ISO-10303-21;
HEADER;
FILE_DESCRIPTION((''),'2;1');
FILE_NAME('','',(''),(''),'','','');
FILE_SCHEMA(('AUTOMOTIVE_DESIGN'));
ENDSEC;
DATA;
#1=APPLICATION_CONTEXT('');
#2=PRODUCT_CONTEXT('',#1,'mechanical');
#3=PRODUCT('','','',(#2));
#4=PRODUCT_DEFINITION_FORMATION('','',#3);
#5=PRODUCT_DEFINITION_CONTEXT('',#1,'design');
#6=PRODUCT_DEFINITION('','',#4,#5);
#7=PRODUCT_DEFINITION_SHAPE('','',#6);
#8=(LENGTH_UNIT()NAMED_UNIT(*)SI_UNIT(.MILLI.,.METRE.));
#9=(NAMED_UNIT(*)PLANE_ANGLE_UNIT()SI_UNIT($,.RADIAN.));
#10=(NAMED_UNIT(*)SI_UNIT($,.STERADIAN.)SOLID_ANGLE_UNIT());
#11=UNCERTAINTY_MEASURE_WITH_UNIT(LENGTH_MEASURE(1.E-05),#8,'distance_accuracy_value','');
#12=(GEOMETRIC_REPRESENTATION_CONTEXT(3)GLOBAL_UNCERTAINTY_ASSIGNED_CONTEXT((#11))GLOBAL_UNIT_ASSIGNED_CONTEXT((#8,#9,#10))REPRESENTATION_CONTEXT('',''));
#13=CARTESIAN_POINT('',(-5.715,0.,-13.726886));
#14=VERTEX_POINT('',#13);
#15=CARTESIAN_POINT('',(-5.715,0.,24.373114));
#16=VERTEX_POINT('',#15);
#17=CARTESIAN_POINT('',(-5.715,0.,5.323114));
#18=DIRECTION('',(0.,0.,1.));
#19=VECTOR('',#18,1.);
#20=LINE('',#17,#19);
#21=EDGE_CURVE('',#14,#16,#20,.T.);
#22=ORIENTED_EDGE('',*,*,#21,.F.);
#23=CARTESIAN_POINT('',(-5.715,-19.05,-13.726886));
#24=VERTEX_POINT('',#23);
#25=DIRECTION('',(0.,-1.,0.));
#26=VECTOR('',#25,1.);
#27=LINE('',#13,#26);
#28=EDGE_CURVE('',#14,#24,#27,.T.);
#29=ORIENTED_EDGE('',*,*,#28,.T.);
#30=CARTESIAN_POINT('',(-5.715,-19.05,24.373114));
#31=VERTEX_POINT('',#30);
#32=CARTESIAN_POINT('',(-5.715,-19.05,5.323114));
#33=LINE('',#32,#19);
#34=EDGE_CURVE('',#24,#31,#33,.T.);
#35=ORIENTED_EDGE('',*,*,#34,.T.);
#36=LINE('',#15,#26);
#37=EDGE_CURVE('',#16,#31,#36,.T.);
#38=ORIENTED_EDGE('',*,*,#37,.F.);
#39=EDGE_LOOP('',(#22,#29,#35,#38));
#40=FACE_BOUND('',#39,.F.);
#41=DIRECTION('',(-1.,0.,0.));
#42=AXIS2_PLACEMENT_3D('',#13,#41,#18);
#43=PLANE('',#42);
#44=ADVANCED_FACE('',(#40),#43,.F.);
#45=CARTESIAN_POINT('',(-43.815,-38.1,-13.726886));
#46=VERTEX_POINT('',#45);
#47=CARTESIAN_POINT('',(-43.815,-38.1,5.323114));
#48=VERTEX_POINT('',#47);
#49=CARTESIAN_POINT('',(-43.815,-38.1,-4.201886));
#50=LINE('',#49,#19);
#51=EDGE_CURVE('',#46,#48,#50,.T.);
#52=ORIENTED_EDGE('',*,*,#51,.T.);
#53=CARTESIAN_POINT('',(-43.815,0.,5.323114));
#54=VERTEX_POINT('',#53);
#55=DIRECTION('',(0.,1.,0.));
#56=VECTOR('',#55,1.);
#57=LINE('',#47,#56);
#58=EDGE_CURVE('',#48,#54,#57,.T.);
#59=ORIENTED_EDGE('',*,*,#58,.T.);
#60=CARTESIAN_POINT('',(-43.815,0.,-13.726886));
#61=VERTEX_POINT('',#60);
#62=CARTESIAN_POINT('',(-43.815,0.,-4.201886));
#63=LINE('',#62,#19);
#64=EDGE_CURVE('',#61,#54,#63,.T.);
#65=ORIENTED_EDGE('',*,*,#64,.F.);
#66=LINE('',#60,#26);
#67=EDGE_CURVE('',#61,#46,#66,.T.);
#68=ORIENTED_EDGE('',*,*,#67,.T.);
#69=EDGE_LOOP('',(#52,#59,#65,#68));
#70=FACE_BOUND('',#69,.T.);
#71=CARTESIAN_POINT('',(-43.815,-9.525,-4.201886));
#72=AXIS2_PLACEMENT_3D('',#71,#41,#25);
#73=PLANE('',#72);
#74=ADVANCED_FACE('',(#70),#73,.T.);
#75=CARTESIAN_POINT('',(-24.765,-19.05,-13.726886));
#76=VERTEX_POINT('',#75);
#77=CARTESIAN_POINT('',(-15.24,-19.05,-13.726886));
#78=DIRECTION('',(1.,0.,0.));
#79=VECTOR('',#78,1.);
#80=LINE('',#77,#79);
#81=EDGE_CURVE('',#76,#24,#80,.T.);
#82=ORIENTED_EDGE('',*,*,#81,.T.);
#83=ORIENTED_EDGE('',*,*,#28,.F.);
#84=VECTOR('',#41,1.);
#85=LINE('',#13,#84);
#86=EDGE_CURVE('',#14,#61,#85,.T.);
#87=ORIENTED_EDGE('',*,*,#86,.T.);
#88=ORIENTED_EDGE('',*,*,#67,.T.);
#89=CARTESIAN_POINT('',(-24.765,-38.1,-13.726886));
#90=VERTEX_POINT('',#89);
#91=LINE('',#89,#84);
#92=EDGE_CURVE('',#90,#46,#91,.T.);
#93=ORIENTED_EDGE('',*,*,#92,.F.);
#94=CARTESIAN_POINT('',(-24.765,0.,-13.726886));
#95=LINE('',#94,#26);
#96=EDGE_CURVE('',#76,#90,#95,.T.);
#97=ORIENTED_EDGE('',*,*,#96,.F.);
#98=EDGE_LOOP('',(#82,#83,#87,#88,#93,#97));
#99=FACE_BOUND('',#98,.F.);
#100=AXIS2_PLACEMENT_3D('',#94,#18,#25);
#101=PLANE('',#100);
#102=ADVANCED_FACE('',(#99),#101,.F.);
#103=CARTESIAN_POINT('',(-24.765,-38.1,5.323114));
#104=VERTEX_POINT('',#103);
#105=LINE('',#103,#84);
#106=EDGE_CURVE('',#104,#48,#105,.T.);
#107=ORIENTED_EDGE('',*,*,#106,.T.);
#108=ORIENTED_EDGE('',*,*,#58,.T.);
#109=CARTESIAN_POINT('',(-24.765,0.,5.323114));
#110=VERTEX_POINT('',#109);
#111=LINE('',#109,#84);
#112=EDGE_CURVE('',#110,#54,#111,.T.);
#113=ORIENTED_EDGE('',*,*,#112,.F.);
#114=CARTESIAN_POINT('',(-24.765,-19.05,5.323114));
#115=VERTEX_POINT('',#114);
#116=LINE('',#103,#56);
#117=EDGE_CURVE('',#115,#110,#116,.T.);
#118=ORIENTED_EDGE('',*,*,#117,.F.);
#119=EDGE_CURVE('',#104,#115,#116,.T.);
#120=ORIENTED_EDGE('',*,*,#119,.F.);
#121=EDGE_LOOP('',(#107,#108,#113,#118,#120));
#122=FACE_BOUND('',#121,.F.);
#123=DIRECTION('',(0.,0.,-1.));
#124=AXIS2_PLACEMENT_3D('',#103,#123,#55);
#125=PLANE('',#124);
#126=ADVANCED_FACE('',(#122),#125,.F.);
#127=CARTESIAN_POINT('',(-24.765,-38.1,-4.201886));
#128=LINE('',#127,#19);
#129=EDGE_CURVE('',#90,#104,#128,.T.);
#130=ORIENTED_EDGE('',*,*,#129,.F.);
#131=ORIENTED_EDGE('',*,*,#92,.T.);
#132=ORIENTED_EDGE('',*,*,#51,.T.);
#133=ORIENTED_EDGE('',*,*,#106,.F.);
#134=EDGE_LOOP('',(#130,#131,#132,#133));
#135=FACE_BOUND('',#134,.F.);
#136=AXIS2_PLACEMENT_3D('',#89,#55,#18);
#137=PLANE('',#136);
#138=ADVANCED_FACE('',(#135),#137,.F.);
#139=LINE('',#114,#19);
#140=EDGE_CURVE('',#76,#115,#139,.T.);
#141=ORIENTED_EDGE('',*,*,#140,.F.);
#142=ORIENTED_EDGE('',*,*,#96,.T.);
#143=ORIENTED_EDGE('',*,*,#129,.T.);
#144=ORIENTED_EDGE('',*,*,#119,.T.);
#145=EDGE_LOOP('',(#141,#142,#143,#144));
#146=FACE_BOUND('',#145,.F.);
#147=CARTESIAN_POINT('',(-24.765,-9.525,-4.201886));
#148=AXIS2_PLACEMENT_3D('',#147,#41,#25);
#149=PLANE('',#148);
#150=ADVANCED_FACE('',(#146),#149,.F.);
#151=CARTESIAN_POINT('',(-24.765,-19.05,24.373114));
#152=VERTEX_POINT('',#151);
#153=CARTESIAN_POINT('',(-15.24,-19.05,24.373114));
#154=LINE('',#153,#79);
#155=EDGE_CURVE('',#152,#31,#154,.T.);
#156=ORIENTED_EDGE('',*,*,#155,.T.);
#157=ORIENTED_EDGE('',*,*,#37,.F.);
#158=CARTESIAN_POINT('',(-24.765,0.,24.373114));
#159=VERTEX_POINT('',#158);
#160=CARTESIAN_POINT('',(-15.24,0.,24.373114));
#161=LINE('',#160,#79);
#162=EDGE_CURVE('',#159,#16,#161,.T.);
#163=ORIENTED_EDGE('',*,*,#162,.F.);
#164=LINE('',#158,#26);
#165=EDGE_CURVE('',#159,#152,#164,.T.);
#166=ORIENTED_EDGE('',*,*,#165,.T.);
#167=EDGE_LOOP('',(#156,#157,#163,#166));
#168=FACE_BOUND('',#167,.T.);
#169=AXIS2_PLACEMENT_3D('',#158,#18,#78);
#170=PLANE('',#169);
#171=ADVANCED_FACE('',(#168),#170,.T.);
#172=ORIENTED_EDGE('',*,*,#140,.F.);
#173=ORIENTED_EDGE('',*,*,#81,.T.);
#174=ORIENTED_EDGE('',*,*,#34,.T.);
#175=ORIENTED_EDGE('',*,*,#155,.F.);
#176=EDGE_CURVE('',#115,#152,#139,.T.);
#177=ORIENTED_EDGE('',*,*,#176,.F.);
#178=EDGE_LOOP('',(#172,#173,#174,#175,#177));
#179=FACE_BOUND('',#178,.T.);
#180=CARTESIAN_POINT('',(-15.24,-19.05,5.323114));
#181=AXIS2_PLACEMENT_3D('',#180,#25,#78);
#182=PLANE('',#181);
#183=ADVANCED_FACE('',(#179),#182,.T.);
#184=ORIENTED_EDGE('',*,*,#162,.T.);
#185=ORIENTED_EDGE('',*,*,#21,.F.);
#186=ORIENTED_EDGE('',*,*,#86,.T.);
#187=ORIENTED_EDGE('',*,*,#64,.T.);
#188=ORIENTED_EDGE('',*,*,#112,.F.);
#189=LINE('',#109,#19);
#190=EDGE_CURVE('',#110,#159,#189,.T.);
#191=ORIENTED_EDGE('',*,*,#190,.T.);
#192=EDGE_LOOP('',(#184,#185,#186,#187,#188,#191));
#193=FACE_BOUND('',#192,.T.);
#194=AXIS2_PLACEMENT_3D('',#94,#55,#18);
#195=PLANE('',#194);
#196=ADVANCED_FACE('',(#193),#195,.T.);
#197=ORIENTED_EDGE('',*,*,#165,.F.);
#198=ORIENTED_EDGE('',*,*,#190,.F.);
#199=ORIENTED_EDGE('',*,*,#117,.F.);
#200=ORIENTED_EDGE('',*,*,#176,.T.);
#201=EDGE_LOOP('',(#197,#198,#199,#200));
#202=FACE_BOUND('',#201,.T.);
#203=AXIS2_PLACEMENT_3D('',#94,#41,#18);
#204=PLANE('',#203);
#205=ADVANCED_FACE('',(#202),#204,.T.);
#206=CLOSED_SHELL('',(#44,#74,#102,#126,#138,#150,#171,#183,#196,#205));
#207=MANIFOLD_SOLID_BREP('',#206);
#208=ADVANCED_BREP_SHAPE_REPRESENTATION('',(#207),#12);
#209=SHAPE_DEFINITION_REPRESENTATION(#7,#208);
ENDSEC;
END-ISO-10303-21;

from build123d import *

# Parameters (mm, degrees)
F0_W     = 19.05
F0_H     = 38.1
F1_DEPTH = 19.05
F2_W     = 19.05
F2_H     = 19.05
F3_DEPTH = 19.05


with BuildPart() as f1:
    # F0 (on Front) → F1 (new body)
    with BuildSketch(Plane.XZ):
        with Locations((-15.24, 5.323114)):
            Rectangle(F0_W, F0_H)
    extrude(amount=F1_DEPTH)

    # F2 (on face) → F3 (join)
    with BuildSketch(Plane(origin=(-24.765, 0, 0), x_dir=(0, -1, 0), z_dir=(-1, 0, 0))):
        with Locations((9.525, -4.201886)):
            Rectangle(F2_W, F2_H)
        with Locations((28.575, -4.201886)):
            Rectangle(F2_W, F2_H)
    extrude(amount=F3_DEPTH)


solid = f1.part
